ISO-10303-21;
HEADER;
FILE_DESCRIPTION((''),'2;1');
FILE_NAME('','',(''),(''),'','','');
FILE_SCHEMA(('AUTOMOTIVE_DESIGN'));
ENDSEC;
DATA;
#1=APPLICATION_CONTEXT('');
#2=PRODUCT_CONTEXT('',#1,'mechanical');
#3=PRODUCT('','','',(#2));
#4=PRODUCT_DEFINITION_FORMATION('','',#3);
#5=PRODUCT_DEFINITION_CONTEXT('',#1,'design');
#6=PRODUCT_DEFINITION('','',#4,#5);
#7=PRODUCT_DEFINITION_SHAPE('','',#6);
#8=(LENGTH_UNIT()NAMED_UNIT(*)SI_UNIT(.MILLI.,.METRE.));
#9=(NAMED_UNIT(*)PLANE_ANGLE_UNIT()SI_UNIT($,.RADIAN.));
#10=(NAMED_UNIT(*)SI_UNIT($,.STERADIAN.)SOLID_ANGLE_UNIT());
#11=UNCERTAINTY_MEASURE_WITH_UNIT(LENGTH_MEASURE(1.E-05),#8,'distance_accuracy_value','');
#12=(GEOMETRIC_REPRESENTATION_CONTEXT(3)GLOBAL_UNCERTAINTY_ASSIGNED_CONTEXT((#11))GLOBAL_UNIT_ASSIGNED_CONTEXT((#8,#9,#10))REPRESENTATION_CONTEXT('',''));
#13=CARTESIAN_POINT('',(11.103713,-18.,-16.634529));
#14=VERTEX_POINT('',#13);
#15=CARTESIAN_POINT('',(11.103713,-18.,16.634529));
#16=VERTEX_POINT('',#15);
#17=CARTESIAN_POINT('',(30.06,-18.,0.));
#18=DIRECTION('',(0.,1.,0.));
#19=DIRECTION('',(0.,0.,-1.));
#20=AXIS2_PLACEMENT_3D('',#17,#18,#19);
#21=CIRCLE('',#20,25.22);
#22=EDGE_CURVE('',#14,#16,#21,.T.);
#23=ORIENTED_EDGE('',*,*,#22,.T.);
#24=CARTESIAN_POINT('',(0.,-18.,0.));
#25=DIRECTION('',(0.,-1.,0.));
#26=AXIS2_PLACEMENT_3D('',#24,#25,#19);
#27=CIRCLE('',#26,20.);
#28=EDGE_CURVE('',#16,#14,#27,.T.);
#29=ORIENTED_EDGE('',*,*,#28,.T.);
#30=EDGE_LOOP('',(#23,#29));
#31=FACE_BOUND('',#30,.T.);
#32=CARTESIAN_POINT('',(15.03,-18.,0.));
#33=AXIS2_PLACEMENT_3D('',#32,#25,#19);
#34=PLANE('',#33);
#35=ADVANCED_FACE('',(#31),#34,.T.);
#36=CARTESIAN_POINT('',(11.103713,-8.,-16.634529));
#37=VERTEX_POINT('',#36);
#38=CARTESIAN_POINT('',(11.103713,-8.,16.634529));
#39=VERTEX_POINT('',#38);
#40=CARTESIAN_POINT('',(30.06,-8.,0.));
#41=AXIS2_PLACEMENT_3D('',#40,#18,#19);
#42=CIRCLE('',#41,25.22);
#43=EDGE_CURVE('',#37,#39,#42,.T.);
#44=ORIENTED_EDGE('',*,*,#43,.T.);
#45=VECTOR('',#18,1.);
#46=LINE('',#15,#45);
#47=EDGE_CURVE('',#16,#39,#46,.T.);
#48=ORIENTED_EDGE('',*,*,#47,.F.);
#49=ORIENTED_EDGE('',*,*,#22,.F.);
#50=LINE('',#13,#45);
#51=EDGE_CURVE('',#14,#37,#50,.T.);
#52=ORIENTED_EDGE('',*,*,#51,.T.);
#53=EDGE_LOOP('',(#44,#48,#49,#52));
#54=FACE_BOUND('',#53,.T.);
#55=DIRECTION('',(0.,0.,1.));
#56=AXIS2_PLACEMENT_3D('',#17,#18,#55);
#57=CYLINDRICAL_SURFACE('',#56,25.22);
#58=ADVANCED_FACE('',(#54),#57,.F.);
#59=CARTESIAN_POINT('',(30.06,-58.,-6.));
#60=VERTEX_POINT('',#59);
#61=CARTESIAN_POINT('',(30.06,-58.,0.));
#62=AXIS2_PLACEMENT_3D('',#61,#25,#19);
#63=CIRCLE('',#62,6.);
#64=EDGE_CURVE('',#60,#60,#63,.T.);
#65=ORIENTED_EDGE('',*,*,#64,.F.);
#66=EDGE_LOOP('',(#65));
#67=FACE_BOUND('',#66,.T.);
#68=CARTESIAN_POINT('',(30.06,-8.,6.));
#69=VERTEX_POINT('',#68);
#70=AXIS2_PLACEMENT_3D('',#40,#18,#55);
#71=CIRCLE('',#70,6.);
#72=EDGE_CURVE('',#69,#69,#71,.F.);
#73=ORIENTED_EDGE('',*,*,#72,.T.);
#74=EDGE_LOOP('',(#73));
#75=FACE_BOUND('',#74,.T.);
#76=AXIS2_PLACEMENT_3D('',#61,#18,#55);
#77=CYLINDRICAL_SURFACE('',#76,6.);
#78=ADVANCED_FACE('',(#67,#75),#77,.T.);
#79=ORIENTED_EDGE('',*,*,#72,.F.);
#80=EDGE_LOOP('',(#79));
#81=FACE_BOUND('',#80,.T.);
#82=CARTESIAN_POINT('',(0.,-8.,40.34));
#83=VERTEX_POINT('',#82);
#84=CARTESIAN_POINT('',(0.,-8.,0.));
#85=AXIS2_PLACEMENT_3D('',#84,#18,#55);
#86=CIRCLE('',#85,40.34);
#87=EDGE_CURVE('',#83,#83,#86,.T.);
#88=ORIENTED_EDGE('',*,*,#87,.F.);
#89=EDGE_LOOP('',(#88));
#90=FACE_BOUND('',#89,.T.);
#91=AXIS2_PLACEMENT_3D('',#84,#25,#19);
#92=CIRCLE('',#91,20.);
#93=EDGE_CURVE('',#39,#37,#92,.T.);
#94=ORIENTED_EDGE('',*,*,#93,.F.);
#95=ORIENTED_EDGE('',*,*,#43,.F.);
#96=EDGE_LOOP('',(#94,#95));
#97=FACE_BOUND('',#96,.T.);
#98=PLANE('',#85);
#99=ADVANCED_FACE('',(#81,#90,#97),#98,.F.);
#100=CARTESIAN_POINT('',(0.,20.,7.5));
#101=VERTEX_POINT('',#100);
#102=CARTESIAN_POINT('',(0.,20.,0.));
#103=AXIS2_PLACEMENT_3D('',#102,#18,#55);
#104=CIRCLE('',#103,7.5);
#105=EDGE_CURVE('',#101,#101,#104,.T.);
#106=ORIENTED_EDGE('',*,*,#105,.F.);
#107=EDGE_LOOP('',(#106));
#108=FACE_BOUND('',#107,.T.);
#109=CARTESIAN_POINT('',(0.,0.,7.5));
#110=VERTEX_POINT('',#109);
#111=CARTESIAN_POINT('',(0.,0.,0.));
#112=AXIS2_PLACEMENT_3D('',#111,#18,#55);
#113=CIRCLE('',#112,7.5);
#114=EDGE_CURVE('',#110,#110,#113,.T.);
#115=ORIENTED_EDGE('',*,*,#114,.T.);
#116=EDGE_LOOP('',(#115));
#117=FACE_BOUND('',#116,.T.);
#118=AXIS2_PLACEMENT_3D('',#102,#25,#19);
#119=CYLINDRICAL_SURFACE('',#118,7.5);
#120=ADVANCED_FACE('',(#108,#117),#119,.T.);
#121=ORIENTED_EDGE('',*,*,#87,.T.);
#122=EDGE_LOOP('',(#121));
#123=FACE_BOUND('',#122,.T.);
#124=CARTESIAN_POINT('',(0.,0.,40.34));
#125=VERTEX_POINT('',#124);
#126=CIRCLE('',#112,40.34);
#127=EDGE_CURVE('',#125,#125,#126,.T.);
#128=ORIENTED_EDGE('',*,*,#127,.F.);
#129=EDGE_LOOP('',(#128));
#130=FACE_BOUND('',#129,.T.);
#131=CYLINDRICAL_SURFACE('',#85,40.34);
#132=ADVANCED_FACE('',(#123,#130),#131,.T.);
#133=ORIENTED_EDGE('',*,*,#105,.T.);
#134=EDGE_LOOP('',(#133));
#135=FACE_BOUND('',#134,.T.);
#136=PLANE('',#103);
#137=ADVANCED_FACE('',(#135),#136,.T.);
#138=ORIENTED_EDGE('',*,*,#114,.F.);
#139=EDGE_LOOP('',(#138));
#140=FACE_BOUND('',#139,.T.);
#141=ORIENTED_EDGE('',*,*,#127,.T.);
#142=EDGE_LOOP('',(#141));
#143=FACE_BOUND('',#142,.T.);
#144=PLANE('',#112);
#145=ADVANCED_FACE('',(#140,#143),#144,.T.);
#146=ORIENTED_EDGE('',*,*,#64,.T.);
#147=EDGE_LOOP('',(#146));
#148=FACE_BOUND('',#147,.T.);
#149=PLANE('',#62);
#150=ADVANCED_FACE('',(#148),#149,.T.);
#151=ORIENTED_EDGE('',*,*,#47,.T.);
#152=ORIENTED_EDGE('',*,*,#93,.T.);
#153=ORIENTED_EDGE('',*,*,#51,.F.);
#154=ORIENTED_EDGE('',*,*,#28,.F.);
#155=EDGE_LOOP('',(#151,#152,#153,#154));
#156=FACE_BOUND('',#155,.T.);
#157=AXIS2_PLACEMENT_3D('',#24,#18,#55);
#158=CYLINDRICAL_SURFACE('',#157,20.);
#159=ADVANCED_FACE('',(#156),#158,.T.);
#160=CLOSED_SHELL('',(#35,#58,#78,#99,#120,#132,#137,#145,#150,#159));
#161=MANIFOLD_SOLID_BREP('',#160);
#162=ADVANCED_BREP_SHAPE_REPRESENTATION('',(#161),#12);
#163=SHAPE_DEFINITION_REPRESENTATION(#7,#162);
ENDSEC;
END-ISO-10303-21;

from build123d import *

# Parameters (mm, degrees)
SKETCH1_R           = 40.34
BOSS_EXTRUDE1_DEPTH = 8
SKETCH2_R           = 7.5
BOSS_EXTRUDE2_DEPTH = 20
BOSS_EXTRUDE3_DEPTH = 10
SKETCH4_R           = 6
BOSS_EXTRUDE4_DEPTH = 50


with BuildPart() as part:
    # Sketch1 → Boss-Extrude1 (new body)
    with BuildSketch(Plane(origin=(0, 0, 0), x_dir=(1, 0, 0), z_dir=(0, 1, 0))):
        with Locations(Location((0, 0, 0), (0, 0, 270))):
            Circle(SKETCH1_R)
    extrude(amount=-BOSS_EXTRUDE1_DEPTH)

    # Sketch2 → Boss-Extrude2 (add)
    with BuildSketch(Plane(origin=(0, 0, 0), x_dir=(1, 0, 0), z_dir=(0, 1, 0))):
        with Locations(Location((0, 0, 0), (0, 0, 270))):
            Circle(SKETCH2_R)
    extrude(amount=BOSS_EXTRUDE2_DEPTH)

    # Sketch3 → Boss-Extrude3 (add)
    with BuildSketch(Plane.XZ.offset(8)):
        with BuildLine():
            ThreePointArc((11.103712575, 16.634529361), (-20, 0), (11.103712575, -16.634529361))
            ThreePointArc((11.103712575, -16.634529361), (4.84, 0), (11.103712575, 16.634529361))
        make_face()
    extrude(amount=BOSS_EXTRUDE3_DEPTH)

    # Sketch4 → Boss-Extrude4 (add)
    with BuildSketch(Plane.XZ.offset(8)):
        with Locations(Location((30.06, 0, 0), (0, 0, 90))):
            Circle(SKETCH4_R)
    extrude(amount=BOSS_EXTRUDE4_DEPTH)


solid = part.part
